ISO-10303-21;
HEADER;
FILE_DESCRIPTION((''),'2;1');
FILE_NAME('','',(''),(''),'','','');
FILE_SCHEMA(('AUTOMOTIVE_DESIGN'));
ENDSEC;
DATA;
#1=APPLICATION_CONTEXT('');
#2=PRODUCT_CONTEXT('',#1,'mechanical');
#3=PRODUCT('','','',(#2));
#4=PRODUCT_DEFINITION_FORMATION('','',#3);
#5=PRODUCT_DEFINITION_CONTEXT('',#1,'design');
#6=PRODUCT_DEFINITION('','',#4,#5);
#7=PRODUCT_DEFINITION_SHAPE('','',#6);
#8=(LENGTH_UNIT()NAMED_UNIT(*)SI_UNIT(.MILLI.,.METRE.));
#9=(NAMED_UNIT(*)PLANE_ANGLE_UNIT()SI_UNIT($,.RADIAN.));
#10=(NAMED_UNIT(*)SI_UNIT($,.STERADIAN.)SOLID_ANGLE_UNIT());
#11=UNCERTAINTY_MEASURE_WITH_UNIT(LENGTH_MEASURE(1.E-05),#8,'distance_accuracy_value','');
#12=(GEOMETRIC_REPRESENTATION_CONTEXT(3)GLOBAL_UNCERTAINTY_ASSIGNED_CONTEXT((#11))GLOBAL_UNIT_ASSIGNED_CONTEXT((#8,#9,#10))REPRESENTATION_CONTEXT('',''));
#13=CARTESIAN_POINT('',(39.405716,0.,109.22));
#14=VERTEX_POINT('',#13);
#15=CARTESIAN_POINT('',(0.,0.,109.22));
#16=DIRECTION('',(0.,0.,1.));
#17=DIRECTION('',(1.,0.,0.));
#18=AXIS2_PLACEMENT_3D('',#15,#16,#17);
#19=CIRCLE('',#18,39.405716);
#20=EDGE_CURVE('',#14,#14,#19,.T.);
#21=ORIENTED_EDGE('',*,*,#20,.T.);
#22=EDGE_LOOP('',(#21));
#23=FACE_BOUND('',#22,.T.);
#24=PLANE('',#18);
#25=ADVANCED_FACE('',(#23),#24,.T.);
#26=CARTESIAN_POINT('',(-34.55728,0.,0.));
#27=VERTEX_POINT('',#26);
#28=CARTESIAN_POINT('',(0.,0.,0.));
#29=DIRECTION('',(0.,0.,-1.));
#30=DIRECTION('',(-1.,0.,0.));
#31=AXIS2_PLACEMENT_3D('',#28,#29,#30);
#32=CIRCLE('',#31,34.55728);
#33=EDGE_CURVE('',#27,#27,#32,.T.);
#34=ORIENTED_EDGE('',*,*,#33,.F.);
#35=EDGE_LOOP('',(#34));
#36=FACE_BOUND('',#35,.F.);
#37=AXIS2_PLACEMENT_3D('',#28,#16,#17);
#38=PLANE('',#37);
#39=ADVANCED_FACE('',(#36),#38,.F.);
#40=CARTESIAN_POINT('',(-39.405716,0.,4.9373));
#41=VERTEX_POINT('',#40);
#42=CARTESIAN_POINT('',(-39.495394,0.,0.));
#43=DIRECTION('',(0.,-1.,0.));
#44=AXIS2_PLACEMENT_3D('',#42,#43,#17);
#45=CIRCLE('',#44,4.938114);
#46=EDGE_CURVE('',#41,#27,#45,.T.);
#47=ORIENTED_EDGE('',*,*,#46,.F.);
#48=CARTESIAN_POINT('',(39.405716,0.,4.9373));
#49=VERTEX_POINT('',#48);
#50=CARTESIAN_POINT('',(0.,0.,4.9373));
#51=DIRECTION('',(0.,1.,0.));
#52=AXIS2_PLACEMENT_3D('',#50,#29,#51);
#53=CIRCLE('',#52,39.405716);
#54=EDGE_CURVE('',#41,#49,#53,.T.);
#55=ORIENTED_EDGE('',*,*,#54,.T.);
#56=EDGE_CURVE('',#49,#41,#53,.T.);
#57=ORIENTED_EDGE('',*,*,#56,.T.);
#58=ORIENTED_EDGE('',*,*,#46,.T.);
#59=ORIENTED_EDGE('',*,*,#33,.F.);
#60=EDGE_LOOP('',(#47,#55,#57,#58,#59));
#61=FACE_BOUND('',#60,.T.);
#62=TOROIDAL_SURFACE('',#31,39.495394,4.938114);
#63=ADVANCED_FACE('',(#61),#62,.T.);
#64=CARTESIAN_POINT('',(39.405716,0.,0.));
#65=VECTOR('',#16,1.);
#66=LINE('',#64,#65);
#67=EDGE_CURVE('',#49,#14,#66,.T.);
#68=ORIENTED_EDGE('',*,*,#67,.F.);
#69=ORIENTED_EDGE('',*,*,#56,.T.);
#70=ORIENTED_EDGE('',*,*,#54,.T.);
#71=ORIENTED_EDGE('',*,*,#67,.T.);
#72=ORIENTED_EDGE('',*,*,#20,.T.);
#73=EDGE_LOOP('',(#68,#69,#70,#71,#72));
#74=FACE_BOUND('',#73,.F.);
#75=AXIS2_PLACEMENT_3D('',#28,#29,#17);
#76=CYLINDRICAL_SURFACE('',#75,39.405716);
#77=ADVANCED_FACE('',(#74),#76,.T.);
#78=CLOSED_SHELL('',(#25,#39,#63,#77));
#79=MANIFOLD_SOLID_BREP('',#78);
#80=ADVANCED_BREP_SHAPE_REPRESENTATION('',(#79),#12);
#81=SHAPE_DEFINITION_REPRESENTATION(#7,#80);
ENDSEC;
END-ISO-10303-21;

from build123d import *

# Parameters (mm, degrees)
F0_R     = 39.405716
F1_DEPTH = 109.22
F2_R     = 4.938114


with BuildPart() as f1:
    # F0 (on Top) → F1 (new body)
    with BuildSketch(Plane.XY):
        Circle(F0_R)
    extrude(amount=F1_DEPTH)

    # F2 (on Front) → F4 (revolve)
    with BuildSketch(Plane.XZ):
        with Locations((-39.495394, 0)):
            Circle(F2_R)
    revolve(axis=Axis((0, 0, -34.601416), (0, 0, -1)))


solid = f1.part
